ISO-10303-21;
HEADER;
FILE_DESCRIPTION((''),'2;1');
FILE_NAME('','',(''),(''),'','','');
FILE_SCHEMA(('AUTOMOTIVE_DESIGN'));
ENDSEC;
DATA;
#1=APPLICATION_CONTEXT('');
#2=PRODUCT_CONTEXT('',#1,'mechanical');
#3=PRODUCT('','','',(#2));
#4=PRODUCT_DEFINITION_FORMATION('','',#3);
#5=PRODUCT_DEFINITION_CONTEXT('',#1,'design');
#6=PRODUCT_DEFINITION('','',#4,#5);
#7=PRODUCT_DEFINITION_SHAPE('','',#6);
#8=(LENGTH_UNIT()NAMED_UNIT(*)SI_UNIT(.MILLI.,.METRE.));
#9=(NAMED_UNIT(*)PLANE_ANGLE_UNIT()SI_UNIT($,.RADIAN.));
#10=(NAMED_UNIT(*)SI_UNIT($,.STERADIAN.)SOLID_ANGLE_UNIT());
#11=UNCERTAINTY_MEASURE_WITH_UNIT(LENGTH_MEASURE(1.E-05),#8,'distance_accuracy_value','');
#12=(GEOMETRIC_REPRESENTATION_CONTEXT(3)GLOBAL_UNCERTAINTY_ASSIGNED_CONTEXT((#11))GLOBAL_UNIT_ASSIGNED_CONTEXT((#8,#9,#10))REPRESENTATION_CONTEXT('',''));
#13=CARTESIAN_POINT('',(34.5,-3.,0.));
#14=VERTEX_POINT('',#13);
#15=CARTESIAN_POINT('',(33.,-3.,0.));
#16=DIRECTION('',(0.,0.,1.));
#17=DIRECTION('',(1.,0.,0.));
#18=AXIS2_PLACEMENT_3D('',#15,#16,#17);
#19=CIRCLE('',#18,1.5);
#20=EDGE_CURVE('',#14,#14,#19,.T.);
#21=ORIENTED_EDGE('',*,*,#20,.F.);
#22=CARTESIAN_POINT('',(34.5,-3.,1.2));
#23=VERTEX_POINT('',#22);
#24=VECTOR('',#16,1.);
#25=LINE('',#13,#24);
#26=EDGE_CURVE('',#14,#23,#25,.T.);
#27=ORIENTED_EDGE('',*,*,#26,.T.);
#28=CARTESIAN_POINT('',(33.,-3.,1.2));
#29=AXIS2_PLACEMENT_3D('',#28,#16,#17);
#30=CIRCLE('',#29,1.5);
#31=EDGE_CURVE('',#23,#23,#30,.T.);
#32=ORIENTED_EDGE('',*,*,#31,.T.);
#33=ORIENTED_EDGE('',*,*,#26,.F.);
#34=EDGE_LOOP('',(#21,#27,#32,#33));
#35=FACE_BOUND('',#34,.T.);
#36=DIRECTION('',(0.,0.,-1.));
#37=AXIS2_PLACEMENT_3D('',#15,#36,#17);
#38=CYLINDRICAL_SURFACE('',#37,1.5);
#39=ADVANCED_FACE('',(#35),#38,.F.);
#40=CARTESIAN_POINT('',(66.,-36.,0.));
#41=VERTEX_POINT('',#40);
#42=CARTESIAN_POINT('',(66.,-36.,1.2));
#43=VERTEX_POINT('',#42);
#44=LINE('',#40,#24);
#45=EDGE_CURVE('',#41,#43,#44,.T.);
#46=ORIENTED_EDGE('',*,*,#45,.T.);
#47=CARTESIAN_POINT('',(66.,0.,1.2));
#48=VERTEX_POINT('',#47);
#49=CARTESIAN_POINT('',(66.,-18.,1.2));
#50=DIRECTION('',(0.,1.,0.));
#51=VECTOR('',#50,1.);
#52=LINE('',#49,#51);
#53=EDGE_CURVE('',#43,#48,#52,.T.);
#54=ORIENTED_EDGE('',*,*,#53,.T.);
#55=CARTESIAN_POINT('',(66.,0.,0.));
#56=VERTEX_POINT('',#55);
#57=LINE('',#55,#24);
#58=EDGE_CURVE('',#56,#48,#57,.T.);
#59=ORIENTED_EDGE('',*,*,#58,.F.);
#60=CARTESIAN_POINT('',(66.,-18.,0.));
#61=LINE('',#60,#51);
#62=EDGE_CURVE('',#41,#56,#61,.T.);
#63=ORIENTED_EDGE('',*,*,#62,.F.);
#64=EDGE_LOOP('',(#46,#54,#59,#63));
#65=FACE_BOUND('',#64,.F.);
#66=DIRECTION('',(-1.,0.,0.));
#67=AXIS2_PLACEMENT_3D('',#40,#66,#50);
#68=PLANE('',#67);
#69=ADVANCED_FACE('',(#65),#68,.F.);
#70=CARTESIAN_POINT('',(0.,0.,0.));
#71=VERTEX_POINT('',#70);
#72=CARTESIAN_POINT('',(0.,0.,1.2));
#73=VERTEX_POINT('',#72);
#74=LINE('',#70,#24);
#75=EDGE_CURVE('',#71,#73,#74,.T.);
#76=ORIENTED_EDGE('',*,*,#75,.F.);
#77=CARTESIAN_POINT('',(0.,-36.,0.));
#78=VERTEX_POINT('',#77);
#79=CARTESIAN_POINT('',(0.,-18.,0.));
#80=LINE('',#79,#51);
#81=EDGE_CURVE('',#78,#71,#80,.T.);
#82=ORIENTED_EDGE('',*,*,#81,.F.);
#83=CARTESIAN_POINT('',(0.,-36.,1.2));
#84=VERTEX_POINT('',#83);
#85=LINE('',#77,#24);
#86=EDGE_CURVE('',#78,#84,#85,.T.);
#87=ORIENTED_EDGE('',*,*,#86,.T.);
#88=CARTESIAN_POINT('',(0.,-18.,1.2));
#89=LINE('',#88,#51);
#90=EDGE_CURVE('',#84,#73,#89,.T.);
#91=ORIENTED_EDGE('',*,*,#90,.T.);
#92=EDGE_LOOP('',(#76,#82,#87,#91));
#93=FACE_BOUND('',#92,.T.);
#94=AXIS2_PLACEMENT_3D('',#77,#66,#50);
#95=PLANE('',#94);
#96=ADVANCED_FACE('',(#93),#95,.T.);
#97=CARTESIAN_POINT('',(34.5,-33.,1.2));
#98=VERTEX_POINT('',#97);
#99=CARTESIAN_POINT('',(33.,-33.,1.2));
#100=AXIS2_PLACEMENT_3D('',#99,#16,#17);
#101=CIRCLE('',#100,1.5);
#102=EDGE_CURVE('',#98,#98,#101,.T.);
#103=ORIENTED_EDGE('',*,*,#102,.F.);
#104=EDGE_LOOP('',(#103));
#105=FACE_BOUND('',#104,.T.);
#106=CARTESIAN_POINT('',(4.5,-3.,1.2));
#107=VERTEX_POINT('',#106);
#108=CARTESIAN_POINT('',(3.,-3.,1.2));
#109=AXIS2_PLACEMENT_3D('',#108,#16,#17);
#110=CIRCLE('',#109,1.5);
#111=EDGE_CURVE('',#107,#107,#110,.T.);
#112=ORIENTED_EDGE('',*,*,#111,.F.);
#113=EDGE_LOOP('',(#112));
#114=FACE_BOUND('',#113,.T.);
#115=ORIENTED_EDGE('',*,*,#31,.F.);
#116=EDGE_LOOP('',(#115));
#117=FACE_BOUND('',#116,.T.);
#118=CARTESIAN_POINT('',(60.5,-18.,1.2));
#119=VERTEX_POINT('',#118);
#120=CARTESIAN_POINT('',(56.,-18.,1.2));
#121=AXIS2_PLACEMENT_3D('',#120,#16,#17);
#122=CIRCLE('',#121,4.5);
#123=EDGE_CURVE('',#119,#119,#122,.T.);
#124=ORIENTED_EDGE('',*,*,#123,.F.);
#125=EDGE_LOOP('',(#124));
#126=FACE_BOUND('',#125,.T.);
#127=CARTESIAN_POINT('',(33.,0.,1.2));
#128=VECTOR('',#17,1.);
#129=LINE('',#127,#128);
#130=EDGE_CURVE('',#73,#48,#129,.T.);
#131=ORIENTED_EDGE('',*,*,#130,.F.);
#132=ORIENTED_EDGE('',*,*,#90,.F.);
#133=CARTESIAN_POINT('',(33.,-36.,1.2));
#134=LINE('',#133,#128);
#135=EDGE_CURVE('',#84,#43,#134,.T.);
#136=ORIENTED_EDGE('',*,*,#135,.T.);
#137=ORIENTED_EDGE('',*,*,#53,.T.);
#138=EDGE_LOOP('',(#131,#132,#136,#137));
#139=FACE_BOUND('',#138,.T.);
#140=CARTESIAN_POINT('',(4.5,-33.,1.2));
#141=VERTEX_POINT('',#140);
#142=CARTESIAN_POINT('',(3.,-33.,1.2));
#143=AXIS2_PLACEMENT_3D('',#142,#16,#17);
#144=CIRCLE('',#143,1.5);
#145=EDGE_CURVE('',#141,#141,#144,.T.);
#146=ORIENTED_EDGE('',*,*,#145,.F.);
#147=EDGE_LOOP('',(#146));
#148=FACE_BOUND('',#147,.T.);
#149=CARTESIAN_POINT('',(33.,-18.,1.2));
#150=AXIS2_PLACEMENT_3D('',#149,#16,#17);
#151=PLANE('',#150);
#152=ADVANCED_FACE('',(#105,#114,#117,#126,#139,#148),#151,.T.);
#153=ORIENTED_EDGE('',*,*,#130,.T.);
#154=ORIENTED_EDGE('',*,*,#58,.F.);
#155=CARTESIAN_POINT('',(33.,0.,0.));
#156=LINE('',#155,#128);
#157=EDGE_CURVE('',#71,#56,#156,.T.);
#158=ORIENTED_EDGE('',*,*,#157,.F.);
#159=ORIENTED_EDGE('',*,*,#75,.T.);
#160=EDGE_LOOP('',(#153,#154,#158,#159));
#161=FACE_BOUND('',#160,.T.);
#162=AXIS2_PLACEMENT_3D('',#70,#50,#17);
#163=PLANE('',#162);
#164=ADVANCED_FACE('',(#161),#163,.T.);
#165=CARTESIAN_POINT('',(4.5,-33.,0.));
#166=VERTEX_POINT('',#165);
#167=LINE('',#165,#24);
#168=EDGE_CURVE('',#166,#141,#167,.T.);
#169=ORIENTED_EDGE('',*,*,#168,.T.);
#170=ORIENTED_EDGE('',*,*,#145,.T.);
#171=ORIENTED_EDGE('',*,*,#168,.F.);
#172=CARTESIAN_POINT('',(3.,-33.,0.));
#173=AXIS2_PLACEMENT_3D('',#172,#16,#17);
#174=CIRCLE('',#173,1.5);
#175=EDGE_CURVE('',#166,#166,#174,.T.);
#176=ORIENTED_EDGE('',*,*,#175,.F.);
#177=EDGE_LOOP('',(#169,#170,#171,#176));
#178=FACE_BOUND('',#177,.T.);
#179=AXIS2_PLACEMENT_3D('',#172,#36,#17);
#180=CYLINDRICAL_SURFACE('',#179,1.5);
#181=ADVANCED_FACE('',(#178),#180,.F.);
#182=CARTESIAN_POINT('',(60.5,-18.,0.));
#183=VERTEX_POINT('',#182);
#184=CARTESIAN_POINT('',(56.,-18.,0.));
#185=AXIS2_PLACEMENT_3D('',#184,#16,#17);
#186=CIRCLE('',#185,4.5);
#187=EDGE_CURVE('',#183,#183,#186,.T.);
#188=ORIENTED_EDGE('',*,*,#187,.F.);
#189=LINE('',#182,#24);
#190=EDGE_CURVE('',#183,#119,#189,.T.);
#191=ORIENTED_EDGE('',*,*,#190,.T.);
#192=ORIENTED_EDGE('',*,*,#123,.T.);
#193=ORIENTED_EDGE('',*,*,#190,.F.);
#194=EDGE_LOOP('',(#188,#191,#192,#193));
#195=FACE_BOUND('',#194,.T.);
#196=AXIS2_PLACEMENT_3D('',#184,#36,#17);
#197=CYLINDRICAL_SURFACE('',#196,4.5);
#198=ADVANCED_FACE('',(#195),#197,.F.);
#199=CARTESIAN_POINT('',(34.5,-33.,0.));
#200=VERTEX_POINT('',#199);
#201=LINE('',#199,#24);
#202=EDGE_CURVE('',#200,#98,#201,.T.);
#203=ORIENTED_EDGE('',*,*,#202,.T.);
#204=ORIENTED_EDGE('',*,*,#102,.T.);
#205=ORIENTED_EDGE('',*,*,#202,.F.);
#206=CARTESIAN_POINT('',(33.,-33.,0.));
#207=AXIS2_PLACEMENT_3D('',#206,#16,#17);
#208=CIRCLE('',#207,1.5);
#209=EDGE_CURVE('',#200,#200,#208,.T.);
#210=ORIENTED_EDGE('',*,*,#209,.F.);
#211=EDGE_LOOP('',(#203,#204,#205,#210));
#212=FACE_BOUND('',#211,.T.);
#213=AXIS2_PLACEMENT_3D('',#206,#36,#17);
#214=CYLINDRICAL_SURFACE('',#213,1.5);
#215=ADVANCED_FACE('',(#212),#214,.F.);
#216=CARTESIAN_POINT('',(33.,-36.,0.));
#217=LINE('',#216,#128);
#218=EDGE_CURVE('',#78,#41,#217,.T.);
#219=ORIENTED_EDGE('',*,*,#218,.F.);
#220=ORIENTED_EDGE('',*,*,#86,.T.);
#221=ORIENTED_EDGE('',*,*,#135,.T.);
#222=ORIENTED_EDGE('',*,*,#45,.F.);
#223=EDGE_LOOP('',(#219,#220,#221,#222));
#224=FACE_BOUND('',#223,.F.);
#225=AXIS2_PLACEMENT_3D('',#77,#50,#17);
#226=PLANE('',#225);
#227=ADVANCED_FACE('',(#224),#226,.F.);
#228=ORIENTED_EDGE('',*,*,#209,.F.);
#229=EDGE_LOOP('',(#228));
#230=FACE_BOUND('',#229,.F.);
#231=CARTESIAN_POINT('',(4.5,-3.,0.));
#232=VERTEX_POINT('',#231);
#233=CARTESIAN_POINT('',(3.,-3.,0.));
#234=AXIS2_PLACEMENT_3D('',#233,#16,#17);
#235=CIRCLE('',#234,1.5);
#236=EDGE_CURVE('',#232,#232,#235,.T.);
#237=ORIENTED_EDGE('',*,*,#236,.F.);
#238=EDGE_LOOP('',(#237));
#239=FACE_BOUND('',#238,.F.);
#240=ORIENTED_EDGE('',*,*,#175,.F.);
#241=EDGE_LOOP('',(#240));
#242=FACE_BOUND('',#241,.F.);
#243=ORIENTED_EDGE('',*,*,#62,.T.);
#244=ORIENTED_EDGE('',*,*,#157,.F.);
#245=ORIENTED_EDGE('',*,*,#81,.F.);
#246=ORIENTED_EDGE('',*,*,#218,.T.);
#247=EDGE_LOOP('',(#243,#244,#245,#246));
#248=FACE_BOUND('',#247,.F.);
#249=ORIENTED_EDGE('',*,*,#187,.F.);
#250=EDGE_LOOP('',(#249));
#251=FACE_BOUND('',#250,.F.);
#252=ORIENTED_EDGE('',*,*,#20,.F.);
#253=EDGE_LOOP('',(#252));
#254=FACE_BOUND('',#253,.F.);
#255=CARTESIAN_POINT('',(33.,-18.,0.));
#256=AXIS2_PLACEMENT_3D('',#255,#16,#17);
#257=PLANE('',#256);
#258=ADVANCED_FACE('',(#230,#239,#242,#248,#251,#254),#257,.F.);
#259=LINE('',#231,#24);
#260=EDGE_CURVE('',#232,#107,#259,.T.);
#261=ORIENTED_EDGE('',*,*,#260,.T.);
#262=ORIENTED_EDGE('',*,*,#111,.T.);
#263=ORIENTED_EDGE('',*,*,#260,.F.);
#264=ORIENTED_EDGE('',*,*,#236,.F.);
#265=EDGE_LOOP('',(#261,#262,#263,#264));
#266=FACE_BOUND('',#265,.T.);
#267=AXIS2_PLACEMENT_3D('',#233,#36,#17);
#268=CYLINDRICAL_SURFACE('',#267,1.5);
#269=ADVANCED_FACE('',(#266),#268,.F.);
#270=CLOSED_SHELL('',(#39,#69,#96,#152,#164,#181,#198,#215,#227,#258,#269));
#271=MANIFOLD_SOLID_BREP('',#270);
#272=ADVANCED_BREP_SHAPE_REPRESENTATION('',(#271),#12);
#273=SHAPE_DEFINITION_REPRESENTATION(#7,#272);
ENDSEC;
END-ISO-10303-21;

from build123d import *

# Parameters (mm, degrees)
SKETCH_W   = 66
SKETCH_H   = 36
SKETCH_R   = 1.5
SKETCH_R_2 = 4.5
PAD_DEPTH  = 1.2


with BuildPart() as part:
    # Sketch → Pad (new body)
    with BuildSketch(Plane.XY):
        with Locations((33, -18)):
            Rectangle(SKETCH_W, SKETCH_H)
        with Locations((3, -3)):
            Circle(SKETCH_R, mode=Mode.SUBTRACT)
        with Locations((33, -3)):
            Circle(SKETCH_R, mode=Mode.SUBTRACT)
        with Locations((3, -33)):
            Circle(SKETCH_R, mode=Mode.SUBTRACT)
        with Locations((33, -33)):
            Circle(SKETCH_R, mode=Mode.SUBTRACT)
        with Locations((56, -18)):
            Circle(SKETCH_R_2, mode=Mode.SUBTRACT)
    extrude(amount=PAD_DEPTH)


solid = part.part
